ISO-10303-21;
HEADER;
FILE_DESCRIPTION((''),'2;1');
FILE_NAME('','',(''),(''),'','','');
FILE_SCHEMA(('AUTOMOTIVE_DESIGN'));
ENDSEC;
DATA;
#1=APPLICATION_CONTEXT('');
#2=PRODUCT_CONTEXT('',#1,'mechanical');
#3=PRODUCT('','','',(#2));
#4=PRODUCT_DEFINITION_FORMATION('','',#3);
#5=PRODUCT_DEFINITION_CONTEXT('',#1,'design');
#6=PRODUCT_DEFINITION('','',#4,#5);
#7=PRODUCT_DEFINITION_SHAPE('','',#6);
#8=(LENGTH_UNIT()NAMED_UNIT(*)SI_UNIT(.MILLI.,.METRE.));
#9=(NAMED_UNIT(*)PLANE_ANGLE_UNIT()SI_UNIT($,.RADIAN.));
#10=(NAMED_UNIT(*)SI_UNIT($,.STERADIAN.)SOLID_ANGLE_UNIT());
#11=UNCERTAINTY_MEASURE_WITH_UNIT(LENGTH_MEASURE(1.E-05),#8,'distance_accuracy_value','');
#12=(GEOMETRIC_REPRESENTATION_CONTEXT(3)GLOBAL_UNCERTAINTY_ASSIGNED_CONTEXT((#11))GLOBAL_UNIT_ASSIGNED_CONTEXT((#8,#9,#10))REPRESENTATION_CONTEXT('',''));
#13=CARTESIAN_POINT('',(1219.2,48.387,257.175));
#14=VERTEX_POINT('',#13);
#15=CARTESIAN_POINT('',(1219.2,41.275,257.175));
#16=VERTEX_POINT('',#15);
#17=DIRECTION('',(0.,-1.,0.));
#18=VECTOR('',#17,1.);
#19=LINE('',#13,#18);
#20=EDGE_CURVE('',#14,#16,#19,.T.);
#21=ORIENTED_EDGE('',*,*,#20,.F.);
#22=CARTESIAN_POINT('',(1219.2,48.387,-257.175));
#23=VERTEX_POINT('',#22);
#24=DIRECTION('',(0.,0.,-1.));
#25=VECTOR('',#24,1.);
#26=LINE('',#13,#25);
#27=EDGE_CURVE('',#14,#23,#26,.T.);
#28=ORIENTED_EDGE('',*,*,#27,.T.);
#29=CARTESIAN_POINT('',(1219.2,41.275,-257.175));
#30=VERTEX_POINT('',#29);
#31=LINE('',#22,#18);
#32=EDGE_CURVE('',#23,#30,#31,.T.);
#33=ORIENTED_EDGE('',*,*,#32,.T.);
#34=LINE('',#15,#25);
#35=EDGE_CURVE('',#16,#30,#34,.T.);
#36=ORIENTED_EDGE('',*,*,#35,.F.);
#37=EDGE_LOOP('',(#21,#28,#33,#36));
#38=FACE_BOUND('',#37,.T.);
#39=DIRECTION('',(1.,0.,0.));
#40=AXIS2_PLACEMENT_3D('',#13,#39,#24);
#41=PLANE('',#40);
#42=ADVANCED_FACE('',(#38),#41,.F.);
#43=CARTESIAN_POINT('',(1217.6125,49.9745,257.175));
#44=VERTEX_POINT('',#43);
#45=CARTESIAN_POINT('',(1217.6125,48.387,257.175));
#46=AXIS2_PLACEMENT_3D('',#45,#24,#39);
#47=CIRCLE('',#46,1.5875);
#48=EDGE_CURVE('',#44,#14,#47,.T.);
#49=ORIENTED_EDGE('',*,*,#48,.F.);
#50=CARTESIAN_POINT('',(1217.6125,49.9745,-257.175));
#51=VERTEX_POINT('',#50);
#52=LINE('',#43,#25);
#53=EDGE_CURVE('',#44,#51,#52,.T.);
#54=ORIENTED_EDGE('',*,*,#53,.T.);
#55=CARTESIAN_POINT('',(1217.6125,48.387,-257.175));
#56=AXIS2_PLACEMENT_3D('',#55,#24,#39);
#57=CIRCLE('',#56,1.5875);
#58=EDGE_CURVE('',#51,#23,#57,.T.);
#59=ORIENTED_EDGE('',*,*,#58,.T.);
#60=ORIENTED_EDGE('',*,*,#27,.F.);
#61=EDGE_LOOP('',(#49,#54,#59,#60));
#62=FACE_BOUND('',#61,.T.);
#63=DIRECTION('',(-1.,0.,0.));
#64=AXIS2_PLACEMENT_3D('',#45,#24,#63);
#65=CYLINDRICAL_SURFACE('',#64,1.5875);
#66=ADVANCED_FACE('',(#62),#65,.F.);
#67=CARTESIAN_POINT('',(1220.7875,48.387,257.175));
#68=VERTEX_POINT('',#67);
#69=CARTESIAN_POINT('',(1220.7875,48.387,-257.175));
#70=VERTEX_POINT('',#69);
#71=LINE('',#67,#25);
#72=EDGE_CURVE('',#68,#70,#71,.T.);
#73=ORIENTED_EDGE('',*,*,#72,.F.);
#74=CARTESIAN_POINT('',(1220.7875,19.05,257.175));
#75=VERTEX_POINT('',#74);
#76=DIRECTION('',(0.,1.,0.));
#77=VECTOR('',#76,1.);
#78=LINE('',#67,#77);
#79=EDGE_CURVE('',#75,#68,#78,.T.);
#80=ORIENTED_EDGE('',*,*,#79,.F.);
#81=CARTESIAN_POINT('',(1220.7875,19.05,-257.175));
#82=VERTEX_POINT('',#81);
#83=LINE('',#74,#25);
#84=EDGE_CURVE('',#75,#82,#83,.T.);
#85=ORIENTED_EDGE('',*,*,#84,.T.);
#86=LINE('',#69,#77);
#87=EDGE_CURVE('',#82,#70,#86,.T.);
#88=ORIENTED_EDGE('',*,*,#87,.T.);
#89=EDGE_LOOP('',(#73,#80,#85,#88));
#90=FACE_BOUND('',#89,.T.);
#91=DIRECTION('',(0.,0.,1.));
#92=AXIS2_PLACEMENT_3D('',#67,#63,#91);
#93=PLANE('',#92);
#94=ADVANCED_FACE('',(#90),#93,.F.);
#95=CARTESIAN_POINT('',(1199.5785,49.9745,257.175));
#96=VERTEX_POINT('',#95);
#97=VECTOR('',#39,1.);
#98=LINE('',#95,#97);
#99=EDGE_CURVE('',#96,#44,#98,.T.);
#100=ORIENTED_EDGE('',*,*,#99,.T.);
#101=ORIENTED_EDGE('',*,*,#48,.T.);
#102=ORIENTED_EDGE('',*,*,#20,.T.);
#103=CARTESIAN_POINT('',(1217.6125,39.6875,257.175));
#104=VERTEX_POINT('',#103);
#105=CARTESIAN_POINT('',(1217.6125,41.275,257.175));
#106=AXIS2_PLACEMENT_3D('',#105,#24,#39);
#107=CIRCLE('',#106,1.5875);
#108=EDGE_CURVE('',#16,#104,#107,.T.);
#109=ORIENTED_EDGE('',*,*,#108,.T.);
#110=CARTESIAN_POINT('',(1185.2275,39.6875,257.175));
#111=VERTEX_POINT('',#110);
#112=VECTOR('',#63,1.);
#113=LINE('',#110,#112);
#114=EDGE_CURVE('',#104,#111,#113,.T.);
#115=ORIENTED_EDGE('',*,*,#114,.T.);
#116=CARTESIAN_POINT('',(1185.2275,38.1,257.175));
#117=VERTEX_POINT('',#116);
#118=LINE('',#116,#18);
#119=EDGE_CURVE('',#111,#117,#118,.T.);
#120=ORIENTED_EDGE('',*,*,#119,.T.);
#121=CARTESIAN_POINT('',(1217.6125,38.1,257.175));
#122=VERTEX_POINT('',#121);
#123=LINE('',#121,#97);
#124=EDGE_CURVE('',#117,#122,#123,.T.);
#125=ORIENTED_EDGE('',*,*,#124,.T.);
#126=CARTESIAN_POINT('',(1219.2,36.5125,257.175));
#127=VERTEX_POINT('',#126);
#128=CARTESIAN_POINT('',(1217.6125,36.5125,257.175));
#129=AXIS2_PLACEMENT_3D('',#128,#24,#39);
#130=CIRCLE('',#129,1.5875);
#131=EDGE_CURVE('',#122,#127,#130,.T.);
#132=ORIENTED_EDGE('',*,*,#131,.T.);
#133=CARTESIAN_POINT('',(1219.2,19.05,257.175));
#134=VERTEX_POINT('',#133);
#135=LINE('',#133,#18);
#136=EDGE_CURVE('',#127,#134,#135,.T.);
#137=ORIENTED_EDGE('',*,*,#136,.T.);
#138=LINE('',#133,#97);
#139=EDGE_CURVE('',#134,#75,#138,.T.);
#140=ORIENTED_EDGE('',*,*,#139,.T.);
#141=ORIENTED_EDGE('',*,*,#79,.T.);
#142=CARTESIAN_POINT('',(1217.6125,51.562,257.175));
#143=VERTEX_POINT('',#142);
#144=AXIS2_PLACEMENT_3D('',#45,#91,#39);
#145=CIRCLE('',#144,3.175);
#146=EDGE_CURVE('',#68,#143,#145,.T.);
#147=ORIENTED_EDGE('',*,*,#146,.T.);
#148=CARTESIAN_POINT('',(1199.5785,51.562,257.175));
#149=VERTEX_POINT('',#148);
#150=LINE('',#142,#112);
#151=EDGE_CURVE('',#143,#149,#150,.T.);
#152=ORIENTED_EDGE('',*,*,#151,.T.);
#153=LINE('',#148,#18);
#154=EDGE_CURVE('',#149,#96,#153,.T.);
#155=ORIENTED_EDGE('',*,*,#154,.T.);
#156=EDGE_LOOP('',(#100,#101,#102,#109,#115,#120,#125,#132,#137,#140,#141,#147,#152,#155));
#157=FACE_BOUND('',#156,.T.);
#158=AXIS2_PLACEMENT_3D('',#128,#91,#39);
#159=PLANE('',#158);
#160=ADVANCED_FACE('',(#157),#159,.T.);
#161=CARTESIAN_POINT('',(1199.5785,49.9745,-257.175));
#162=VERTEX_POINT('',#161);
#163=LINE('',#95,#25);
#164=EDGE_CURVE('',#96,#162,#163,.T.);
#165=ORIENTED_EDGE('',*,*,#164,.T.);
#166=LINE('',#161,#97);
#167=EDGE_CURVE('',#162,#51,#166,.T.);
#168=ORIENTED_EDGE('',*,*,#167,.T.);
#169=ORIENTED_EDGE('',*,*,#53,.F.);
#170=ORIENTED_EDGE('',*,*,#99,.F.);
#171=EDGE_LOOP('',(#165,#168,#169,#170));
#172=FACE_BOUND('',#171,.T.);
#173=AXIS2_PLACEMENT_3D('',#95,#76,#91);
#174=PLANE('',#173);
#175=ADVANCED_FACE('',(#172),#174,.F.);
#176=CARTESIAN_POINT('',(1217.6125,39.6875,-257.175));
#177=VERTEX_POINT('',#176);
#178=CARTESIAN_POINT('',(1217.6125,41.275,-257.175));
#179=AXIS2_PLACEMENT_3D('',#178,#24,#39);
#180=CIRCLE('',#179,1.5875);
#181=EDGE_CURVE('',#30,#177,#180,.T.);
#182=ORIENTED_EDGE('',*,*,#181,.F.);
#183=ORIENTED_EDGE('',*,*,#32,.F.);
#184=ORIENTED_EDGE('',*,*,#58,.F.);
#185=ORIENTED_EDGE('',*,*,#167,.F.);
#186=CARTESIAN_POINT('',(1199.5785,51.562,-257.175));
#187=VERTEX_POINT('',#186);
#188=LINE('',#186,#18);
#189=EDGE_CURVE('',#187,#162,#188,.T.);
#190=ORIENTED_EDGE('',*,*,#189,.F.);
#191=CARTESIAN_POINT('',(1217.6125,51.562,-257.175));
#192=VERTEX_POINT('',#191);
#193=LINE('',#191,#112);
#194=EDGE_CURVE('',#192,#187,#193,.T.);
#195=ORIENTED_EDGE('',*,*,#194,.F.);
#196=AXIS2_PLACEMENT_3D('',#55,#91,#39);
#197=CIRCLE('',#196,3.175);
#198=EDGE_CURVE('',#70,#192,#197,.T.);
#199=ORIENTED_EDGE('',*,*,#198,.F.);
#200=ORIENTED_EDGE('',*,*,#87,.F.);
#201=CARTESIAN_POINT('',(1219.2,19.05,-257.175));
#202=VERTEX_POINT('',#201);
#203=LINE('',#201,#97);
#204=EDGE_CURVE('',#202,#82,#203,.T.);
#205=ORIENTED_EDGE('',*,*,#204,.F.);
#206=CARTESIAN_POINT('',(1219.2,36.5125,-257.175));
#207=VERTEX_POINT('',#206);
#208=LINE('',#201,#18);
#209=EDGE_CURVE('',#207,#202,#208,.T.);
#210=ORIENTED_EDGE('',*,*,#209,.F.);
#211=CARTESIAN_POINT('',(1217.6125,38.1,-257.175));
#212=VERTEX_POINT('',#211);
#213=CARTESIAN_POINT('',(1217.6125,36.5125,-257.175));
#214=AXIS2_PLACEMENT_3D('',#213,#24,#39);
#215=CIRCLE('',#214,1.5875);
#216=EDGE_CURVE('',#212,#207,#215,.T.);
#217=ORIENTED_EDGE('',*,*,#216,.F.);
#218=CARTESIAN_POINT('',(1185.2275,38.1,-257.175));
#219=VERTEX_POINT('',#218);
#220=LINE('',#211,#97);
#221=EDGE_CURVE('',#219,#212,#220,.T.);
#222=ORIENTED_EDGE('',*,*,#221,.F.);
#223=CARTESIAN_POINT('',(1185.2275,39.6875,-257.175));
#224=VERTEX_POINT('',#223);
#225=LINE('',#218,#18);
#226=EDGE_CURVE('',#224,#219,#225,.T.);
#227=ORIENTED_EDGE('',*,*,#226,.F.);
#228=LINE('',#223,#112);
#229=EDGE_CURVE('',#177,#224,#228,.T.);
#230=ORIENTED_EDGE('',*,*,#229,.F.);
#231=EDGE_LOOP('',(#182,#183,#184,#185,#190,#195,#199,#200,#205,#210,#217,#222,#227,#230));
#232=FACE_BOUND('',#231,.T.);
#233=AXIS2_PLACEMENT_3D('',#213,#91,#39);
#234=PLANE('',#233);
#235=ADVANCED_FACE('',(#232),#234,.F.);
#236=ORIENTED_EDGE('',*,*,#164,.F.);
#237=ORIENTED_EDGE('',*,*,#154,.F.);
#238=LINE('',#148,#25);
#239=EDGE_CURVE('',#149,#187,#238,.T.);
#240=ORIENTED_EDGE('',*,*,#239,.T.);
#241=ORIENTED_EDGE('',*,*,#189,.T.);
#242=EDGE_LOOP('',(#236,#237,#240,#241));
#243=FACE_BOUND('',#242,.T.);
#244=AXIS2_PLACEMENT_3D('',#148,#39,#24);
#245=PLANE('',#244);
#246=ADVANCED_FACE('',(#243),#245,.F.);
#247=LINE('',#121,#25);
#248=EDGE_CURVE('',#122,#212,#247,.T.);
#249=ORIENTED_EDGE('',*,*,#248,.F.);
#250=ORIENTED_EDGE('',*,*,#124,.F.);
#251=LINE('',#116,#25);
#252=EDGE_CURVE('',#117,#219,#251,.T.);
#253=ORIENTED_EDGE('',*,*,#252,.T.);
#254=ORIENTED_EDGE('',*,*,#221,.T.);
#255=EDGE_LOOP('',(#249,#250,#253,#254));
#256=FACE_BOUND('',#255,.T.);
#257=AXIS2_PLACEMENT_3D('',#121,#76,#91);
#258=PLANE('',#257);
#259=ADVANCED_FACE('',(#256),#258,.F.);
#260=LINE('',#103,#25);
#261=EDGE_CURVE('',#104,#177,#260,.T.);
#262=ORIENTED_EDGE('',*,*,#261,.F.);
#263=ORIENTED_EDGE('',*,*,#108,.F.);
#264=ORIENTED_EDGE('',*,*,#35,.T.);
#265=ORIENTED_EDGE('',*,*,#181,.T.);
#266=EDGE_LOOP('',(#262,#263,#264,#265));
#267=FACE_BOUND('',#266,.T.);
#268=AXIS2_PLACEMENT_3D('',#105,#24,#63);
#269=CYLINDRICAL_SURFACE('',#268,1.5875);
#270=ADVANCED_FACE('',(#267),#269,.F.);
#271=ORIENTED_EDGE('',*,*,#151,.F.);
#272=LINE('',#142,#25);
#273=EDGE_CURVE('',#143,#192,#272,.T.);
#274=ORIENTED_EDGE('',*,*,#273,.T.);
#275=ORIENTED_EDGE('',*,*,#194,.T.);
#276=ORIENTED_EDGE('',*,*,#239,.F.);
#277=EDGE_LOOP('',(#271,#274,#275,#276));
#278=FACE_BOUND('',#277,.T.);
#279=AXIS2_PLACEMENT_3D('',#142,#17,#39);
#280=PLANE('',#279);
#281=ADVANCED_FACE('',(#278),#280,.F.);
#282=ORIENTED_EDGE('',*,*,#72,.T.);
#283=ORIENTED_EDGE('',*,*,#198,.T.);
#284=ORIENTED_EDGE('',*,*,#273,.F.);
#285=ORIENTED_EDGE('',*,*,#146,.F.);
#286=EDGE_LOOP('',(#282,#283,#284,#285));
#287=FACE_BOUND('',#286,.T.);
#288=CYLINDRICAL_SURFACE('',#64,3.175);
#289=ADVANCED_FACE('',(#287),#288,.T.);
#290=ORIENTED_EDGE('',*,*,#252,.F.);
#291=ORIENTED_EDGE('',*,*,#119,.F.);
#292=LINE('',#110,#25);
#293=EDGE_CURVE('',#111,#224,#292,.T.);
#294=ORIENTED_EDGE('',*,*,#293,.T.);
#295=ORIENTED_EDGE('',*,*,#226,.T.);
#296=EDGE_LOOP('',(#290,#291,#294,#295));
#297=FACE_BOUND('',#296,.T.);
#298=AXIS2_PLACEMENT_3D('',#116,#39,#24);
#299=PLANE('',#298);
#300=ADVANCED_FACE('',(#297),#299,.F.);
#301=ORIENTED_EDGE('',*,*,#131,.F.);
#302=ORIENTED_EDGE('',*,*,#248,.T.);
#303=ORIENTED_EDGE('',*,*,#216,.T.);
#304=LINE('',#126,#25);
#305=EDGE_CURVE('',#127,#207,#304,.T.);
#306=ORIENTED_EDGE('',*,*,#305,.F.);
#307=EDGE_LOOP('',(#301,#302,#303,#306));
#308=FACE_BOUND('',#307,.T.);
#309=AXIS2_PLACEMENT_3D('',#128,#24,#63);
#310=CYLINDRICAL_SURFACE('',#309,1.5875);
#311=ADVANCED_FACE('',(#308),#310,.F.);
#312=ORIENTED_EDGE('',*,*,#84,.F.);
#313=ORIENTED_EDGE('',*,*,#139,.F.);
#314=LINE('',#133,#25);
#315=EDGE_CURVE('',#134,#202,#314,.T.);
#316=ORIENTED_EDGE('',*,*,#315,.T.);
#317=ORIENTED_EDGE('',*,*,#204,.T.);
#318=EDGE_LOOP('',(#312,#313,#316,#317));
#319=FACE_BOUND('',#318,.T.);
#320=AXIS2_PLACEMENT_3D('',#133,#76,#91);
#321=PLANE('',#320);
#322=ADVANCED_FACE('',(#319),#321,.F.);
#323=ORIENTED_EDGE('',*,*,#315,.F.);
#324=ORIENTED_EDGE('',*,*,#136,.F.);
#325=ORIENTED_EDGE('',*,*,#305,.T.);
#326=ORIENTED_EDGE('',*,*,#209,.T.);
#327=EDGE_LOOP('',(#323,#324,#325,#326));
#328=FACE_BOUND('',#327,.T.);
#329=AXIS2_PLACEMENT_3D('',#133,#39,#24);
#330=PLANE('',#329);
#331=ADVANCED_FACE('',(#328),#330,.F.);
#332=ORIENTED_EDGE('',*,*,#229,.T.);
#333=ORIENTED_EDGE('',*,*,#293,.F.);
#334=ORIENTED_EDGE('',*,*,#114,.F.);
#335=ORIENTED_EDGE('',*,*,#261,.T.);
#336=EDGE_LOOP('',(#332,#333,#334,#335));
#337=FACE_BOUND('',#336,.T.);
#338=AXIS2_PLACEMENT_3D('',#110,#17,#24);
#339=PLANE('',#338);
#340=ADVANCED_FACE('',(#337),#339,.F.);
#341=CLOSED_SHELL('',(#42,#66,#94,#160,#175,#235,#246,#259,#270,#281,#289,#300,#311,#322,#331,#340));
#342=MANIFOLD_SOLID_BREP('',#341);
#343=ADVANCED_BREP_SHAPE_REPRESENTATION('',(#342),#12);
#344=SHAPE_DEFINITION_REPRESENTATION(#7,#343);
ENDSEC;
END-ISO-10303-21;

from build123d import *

# Parameters (mm, degrees)
EXTRUDE1_DEPTH = 257.175


with BuildPart() as part:
    # Sketch1 → Extrude1 (new body, symmetric)
    with BuildSketch(Plane.XY):
        with BuildLine():
            Line((1219.2, 19.05), (1219.2, 36.5125))
            ThreePointArc((1219.2, 36.5125), (1218.735032015, 37.635032015), (1217.6125, 38.1))
            Line((1217.6125, 38.1), (1185.2275, 38.1))
            Line((1185.2275, 38.1), (1185.2275, 39.6875))
            Line((1185.2275, 39.6875), (1217.6125, 39.6875))
            ThreePointArc((1217.6125, 39.6875), (1218.735032015, 40.152467985), (1219.2, 41.275))
            Line((1219.2, 41.275), (1219.2, 48.387))
            ThreePointArc((1219.2, 48.387), (1218.735032015, 49.509532015), (1217.6125, 49.9745))
            Line((1217.6125, 49.9745), (1199.5785, 49.9745))
            Line((1199.5785, 49.9745), (1199.5785, 51.562))
            Line((1199.5785, 51.562), (1217.6125, 51.562))
            ThreePointArc((1217.6125, 51.562), (1219.85756403, 50.63206403), (1220.7875, 48.387))
            Line((1220.7875, 48.387), (1220.7875, 19.05))
            Line((1220.7875, 19.05), (1219.2, 19.05))
        make_face()
    extrude(amount=EXTRUDE1_DEPTH, both=True)


solid = part.part
